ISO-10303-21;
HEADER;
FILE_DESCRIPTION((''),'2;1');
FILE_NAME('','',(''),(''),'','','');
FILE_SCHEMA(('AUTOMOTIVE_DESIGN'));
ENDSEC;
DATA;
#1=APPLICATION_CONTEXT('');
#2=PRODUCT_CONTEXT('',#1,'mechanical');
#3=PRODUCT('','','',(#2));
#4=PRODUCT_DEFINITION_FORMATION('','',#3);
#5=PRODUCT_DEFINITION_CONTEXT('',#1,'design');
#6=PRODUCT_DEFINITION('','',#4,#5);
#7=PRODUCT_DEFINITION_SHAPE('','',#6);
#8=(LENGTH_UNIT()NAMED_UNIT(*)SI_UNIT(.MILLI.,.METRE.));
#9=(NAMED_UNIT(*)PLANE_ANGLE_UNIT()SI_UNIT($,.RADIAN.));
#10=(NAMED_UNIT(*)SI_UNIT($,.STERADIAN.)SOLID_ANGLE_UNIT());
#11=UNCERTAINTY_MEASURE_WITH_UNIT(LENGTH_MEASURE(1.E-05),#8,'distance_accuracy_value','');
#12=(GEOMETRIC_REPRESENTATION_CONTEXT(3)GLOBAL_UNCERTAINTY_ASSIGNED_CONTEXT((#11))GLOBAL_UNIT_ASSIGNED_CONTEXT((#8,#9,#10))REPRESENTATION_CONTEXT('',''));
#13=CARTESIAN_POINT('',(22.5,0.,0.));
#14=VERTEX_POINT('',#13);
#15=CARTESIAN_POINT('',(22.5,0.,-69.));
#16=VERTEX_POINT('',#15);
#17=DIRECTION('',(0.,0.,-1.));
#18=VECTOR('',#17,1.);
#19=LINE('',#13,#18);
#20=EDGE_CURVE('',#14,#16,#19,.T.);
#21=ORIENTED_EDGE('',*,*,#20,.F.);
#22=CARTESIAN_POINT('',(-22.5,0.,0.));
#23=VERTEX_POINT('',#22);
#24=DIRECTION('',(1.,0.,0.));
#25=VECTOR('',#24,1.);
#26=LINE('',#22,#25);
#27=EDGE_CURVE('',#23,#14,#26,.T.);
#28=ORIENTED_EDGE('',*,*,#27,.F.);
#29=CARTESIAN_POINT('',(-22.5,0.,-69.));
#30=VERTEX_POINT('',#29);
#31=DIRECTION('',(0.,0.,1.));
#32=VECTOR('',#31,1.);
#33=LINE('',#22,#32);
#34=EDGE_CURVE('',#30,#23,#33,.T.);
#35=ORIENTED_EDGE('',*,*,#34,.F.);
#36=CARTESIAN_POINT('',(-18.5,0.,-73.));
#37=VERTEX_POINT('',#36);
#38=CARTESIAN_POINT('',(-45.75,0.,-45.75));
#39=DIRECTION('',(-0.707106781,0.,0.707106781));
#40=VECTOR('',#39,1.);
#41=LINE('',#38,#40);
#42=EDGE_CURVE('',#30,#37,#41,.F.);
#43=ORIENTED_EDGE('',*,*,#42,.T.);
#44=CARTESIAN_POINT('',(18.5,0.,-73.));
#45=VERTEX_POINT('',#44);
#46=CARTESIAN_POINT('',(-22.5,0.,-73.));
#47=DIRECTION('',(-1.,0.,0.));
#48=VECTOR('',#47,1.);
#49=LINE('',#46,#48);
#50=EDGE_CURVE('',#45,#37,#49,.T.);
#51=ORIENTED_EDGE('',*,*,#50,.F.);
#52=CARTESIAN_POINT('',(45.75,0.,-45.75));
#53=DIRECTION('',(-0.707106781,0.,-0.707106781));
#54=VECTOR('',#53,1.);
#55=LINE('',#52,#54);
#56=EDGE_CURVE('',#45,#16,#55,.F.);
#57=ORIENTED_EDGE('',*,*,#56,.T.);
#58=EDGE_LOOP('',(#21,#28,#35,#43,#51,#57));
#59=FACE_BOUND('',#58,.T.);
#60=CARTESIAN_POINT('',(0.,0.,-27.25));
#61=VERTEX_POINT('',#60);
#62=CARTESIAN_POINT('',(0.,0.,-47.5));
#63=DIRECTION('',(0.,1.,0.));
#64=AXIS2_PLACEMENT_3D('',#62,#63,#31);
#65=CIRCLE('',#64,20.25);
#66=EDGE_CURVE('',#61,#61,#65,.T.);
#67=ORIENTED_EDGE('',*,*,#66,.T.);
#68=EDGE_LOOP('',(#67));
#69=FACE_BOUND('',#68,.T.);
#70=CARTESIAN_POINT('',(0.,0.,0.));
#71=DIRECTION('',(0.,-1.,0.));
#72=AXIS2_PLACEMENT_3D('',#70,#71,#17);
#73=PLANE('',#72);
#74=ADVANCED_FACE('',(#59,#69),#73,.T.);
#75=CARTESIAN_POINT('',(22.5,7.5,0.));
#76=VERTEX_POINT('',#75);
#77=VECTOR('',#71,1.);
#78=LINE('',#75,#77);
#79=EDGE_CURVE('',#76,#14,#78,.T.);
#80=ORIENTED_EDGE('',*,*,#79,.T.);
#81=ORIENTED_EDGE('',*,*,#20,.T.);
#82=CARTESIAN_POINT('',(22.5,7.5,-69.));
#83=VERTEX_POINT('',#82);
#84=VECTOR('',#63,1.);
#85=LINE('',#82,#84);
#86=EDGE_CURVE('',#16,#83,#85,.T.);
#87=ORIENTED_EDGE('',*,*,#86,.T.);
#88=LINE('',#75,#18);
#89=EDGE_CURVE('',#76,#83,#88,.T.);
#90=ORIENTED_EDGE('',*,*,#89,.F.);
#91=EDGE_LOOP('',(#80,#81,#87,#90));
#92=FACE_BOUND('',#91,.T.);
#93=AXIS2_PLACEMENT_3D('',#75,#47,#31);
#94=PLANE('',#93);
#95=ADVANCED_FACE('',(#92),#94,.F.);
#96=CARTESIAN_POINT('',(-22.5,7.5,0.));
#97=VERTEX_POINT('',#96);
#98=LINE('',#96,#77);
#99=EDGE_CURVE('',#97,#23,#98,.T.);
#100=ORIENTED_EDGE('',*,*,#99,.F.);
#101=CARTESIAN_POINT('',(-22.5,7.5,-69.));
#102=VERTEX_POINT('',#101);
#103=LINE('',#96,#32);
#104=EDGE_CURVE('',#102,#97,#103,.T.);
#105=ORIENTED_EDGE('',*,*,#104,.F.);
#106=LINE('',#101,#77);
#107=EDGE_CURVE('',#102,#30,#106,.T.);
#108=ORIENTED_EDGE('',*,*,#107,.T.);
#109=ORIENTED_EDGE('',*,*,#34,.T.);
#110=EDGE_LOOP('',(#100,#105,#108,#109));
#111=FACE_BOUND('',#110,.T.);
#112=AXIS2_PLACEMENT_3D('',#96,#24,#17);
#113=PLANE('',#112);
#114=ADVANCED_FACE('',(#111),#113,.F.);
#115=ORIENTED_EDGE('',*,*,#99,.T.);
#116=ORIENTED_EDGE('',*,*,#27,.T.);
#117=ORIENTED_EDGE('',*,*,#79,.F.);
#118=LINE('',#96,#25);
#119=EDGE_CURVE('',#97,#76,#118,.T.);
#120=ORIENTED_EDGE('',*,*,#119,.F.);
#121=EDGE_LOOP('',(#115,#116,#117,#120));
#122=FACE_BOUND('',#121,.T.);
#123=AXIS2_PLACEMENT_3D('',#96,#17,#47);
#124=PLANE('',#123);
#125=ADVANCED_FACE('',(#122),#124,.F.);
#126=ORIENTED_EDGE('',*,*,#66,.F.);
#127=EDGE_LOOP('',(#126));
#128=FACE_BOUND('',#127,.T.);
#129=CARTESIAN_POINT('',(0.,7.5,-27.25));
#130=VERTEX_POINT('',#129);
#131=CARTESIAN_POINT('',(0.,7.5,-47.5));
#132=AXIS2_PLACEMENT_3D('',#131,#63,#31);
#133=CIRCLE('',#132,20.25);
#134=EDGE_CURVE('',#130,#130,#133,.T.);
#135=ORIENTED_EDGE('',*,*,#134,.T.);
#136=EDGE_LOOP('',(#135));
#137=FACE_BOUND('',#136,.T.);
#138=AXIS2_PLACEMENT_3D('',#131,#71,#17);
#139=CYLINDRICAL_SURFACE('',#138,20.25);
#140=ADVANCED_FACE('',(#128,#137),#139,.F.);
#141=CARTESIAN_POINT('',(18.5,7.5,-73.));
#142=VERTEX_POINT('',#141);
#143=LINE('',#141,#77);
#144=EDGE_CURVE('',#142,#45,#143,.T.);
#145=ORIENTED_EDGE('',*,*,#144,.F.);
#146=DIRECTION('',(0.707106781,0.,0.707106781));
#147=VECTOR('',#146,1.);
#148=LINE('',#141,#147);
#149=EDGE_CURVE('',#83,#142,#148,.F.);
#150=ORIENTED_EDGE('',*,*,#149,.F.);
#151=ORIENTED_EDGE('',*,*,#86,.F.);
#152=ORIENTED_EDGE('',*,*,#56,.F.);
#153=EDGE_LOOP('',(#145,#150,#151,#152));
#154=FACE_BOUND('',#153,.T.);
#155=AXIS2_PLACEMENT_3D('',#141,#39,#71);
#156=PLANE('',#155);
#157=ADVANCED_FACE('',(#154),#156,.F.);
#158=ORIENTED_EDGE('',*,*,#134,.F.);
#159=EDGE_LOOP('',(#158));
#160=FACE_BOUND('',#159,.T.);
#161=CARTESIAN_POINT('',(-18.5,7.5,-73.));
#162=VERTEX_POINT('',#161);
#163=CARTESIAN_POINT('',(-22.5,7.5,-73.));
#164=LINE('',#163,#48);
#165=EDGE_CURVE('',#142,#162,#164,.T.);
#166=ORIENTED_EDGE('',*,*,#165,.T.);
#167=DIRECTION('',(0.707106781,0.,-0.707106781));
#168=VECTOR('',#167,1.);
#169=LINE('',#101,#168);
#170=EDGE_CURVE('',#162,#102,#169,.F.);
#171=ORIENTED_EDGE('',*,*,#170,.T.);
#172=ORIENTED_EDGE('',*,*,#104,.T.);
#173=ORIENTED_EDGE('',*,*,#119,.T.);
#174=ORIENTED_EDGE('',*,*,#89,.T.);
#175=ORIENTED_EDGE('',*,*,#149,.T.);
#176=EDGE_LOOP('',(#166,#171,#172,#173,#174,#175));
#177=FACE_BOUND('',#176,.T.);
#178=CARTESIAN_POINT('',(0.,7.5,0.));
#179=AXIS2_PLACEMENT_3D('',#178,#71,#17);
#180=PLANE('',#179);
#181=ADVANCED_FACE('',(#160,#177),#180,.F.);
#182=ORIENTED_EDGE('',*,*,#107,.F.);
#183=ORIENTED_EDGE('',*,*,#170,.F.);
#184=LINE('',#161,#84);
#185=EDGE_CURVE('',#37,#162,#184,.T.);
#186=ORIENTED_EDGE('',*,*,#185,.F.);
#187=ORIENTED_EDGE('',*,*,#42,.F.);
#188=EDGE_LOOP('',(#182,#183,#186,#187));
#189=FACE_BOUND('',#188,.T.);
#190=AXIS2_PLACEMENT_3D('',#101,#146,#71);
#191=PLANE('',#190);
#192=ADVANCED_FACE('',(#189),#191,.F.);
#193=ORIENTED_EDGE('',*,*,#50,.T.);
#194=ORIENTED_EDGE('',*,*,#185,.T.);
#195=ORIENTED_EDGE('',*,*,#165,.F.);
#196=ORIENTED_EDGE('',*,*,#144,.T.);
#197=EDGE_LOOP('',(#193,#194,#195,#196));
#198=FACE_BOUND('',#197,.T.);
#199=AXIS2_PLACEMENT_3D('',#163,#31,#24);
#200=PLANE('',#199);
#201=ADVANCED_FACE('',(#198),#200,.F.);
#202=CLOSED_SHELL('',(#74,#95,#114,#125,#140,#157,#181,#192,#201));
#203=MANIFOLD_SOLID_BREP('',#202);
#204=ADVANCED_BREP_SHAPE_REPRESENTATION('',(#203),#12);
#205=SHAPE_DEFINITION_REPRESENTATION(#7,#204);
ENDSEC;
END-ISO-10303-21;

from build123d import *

# Parameters (mm, degrees)
SKETCH1_W           = 45
SKETCH1_H           = 73
SKETCH1_R           = 20.25
BOSS_EXTRUDE1_DEPTH = 7.5
CHAMFER1_SIZE       = 4


with BuildPart() as part:
    # Sketch1 → Boss-Extrude1 (new body)
    with BuildSketch(Plane(origin=(0, 0, 0), x_dir=(1, 0, 0), z_dir=(0, 1, 0))):
        with Locations((0, 36.5)):
            Rectangle(SKETCH1_W, SKETCH1_H)
        with Locations((0, 47.5)):
            Circle(SKETCH1_R, mode=Mode.SUBTRACT)
    extrude(amount=BOSS_EXTRUDE1_DEPTH)

    # Chamfer1
    chamfer1_edges = [part.edges().sort_by_distance(p)[0] for p in [
        (-22.5, 3.75, -73),
        (22.5, 3.75, -73),
    ]]
    chamfer(chamfer1_edges, length=CHAMFER1_SIZE)


solid = part.part
